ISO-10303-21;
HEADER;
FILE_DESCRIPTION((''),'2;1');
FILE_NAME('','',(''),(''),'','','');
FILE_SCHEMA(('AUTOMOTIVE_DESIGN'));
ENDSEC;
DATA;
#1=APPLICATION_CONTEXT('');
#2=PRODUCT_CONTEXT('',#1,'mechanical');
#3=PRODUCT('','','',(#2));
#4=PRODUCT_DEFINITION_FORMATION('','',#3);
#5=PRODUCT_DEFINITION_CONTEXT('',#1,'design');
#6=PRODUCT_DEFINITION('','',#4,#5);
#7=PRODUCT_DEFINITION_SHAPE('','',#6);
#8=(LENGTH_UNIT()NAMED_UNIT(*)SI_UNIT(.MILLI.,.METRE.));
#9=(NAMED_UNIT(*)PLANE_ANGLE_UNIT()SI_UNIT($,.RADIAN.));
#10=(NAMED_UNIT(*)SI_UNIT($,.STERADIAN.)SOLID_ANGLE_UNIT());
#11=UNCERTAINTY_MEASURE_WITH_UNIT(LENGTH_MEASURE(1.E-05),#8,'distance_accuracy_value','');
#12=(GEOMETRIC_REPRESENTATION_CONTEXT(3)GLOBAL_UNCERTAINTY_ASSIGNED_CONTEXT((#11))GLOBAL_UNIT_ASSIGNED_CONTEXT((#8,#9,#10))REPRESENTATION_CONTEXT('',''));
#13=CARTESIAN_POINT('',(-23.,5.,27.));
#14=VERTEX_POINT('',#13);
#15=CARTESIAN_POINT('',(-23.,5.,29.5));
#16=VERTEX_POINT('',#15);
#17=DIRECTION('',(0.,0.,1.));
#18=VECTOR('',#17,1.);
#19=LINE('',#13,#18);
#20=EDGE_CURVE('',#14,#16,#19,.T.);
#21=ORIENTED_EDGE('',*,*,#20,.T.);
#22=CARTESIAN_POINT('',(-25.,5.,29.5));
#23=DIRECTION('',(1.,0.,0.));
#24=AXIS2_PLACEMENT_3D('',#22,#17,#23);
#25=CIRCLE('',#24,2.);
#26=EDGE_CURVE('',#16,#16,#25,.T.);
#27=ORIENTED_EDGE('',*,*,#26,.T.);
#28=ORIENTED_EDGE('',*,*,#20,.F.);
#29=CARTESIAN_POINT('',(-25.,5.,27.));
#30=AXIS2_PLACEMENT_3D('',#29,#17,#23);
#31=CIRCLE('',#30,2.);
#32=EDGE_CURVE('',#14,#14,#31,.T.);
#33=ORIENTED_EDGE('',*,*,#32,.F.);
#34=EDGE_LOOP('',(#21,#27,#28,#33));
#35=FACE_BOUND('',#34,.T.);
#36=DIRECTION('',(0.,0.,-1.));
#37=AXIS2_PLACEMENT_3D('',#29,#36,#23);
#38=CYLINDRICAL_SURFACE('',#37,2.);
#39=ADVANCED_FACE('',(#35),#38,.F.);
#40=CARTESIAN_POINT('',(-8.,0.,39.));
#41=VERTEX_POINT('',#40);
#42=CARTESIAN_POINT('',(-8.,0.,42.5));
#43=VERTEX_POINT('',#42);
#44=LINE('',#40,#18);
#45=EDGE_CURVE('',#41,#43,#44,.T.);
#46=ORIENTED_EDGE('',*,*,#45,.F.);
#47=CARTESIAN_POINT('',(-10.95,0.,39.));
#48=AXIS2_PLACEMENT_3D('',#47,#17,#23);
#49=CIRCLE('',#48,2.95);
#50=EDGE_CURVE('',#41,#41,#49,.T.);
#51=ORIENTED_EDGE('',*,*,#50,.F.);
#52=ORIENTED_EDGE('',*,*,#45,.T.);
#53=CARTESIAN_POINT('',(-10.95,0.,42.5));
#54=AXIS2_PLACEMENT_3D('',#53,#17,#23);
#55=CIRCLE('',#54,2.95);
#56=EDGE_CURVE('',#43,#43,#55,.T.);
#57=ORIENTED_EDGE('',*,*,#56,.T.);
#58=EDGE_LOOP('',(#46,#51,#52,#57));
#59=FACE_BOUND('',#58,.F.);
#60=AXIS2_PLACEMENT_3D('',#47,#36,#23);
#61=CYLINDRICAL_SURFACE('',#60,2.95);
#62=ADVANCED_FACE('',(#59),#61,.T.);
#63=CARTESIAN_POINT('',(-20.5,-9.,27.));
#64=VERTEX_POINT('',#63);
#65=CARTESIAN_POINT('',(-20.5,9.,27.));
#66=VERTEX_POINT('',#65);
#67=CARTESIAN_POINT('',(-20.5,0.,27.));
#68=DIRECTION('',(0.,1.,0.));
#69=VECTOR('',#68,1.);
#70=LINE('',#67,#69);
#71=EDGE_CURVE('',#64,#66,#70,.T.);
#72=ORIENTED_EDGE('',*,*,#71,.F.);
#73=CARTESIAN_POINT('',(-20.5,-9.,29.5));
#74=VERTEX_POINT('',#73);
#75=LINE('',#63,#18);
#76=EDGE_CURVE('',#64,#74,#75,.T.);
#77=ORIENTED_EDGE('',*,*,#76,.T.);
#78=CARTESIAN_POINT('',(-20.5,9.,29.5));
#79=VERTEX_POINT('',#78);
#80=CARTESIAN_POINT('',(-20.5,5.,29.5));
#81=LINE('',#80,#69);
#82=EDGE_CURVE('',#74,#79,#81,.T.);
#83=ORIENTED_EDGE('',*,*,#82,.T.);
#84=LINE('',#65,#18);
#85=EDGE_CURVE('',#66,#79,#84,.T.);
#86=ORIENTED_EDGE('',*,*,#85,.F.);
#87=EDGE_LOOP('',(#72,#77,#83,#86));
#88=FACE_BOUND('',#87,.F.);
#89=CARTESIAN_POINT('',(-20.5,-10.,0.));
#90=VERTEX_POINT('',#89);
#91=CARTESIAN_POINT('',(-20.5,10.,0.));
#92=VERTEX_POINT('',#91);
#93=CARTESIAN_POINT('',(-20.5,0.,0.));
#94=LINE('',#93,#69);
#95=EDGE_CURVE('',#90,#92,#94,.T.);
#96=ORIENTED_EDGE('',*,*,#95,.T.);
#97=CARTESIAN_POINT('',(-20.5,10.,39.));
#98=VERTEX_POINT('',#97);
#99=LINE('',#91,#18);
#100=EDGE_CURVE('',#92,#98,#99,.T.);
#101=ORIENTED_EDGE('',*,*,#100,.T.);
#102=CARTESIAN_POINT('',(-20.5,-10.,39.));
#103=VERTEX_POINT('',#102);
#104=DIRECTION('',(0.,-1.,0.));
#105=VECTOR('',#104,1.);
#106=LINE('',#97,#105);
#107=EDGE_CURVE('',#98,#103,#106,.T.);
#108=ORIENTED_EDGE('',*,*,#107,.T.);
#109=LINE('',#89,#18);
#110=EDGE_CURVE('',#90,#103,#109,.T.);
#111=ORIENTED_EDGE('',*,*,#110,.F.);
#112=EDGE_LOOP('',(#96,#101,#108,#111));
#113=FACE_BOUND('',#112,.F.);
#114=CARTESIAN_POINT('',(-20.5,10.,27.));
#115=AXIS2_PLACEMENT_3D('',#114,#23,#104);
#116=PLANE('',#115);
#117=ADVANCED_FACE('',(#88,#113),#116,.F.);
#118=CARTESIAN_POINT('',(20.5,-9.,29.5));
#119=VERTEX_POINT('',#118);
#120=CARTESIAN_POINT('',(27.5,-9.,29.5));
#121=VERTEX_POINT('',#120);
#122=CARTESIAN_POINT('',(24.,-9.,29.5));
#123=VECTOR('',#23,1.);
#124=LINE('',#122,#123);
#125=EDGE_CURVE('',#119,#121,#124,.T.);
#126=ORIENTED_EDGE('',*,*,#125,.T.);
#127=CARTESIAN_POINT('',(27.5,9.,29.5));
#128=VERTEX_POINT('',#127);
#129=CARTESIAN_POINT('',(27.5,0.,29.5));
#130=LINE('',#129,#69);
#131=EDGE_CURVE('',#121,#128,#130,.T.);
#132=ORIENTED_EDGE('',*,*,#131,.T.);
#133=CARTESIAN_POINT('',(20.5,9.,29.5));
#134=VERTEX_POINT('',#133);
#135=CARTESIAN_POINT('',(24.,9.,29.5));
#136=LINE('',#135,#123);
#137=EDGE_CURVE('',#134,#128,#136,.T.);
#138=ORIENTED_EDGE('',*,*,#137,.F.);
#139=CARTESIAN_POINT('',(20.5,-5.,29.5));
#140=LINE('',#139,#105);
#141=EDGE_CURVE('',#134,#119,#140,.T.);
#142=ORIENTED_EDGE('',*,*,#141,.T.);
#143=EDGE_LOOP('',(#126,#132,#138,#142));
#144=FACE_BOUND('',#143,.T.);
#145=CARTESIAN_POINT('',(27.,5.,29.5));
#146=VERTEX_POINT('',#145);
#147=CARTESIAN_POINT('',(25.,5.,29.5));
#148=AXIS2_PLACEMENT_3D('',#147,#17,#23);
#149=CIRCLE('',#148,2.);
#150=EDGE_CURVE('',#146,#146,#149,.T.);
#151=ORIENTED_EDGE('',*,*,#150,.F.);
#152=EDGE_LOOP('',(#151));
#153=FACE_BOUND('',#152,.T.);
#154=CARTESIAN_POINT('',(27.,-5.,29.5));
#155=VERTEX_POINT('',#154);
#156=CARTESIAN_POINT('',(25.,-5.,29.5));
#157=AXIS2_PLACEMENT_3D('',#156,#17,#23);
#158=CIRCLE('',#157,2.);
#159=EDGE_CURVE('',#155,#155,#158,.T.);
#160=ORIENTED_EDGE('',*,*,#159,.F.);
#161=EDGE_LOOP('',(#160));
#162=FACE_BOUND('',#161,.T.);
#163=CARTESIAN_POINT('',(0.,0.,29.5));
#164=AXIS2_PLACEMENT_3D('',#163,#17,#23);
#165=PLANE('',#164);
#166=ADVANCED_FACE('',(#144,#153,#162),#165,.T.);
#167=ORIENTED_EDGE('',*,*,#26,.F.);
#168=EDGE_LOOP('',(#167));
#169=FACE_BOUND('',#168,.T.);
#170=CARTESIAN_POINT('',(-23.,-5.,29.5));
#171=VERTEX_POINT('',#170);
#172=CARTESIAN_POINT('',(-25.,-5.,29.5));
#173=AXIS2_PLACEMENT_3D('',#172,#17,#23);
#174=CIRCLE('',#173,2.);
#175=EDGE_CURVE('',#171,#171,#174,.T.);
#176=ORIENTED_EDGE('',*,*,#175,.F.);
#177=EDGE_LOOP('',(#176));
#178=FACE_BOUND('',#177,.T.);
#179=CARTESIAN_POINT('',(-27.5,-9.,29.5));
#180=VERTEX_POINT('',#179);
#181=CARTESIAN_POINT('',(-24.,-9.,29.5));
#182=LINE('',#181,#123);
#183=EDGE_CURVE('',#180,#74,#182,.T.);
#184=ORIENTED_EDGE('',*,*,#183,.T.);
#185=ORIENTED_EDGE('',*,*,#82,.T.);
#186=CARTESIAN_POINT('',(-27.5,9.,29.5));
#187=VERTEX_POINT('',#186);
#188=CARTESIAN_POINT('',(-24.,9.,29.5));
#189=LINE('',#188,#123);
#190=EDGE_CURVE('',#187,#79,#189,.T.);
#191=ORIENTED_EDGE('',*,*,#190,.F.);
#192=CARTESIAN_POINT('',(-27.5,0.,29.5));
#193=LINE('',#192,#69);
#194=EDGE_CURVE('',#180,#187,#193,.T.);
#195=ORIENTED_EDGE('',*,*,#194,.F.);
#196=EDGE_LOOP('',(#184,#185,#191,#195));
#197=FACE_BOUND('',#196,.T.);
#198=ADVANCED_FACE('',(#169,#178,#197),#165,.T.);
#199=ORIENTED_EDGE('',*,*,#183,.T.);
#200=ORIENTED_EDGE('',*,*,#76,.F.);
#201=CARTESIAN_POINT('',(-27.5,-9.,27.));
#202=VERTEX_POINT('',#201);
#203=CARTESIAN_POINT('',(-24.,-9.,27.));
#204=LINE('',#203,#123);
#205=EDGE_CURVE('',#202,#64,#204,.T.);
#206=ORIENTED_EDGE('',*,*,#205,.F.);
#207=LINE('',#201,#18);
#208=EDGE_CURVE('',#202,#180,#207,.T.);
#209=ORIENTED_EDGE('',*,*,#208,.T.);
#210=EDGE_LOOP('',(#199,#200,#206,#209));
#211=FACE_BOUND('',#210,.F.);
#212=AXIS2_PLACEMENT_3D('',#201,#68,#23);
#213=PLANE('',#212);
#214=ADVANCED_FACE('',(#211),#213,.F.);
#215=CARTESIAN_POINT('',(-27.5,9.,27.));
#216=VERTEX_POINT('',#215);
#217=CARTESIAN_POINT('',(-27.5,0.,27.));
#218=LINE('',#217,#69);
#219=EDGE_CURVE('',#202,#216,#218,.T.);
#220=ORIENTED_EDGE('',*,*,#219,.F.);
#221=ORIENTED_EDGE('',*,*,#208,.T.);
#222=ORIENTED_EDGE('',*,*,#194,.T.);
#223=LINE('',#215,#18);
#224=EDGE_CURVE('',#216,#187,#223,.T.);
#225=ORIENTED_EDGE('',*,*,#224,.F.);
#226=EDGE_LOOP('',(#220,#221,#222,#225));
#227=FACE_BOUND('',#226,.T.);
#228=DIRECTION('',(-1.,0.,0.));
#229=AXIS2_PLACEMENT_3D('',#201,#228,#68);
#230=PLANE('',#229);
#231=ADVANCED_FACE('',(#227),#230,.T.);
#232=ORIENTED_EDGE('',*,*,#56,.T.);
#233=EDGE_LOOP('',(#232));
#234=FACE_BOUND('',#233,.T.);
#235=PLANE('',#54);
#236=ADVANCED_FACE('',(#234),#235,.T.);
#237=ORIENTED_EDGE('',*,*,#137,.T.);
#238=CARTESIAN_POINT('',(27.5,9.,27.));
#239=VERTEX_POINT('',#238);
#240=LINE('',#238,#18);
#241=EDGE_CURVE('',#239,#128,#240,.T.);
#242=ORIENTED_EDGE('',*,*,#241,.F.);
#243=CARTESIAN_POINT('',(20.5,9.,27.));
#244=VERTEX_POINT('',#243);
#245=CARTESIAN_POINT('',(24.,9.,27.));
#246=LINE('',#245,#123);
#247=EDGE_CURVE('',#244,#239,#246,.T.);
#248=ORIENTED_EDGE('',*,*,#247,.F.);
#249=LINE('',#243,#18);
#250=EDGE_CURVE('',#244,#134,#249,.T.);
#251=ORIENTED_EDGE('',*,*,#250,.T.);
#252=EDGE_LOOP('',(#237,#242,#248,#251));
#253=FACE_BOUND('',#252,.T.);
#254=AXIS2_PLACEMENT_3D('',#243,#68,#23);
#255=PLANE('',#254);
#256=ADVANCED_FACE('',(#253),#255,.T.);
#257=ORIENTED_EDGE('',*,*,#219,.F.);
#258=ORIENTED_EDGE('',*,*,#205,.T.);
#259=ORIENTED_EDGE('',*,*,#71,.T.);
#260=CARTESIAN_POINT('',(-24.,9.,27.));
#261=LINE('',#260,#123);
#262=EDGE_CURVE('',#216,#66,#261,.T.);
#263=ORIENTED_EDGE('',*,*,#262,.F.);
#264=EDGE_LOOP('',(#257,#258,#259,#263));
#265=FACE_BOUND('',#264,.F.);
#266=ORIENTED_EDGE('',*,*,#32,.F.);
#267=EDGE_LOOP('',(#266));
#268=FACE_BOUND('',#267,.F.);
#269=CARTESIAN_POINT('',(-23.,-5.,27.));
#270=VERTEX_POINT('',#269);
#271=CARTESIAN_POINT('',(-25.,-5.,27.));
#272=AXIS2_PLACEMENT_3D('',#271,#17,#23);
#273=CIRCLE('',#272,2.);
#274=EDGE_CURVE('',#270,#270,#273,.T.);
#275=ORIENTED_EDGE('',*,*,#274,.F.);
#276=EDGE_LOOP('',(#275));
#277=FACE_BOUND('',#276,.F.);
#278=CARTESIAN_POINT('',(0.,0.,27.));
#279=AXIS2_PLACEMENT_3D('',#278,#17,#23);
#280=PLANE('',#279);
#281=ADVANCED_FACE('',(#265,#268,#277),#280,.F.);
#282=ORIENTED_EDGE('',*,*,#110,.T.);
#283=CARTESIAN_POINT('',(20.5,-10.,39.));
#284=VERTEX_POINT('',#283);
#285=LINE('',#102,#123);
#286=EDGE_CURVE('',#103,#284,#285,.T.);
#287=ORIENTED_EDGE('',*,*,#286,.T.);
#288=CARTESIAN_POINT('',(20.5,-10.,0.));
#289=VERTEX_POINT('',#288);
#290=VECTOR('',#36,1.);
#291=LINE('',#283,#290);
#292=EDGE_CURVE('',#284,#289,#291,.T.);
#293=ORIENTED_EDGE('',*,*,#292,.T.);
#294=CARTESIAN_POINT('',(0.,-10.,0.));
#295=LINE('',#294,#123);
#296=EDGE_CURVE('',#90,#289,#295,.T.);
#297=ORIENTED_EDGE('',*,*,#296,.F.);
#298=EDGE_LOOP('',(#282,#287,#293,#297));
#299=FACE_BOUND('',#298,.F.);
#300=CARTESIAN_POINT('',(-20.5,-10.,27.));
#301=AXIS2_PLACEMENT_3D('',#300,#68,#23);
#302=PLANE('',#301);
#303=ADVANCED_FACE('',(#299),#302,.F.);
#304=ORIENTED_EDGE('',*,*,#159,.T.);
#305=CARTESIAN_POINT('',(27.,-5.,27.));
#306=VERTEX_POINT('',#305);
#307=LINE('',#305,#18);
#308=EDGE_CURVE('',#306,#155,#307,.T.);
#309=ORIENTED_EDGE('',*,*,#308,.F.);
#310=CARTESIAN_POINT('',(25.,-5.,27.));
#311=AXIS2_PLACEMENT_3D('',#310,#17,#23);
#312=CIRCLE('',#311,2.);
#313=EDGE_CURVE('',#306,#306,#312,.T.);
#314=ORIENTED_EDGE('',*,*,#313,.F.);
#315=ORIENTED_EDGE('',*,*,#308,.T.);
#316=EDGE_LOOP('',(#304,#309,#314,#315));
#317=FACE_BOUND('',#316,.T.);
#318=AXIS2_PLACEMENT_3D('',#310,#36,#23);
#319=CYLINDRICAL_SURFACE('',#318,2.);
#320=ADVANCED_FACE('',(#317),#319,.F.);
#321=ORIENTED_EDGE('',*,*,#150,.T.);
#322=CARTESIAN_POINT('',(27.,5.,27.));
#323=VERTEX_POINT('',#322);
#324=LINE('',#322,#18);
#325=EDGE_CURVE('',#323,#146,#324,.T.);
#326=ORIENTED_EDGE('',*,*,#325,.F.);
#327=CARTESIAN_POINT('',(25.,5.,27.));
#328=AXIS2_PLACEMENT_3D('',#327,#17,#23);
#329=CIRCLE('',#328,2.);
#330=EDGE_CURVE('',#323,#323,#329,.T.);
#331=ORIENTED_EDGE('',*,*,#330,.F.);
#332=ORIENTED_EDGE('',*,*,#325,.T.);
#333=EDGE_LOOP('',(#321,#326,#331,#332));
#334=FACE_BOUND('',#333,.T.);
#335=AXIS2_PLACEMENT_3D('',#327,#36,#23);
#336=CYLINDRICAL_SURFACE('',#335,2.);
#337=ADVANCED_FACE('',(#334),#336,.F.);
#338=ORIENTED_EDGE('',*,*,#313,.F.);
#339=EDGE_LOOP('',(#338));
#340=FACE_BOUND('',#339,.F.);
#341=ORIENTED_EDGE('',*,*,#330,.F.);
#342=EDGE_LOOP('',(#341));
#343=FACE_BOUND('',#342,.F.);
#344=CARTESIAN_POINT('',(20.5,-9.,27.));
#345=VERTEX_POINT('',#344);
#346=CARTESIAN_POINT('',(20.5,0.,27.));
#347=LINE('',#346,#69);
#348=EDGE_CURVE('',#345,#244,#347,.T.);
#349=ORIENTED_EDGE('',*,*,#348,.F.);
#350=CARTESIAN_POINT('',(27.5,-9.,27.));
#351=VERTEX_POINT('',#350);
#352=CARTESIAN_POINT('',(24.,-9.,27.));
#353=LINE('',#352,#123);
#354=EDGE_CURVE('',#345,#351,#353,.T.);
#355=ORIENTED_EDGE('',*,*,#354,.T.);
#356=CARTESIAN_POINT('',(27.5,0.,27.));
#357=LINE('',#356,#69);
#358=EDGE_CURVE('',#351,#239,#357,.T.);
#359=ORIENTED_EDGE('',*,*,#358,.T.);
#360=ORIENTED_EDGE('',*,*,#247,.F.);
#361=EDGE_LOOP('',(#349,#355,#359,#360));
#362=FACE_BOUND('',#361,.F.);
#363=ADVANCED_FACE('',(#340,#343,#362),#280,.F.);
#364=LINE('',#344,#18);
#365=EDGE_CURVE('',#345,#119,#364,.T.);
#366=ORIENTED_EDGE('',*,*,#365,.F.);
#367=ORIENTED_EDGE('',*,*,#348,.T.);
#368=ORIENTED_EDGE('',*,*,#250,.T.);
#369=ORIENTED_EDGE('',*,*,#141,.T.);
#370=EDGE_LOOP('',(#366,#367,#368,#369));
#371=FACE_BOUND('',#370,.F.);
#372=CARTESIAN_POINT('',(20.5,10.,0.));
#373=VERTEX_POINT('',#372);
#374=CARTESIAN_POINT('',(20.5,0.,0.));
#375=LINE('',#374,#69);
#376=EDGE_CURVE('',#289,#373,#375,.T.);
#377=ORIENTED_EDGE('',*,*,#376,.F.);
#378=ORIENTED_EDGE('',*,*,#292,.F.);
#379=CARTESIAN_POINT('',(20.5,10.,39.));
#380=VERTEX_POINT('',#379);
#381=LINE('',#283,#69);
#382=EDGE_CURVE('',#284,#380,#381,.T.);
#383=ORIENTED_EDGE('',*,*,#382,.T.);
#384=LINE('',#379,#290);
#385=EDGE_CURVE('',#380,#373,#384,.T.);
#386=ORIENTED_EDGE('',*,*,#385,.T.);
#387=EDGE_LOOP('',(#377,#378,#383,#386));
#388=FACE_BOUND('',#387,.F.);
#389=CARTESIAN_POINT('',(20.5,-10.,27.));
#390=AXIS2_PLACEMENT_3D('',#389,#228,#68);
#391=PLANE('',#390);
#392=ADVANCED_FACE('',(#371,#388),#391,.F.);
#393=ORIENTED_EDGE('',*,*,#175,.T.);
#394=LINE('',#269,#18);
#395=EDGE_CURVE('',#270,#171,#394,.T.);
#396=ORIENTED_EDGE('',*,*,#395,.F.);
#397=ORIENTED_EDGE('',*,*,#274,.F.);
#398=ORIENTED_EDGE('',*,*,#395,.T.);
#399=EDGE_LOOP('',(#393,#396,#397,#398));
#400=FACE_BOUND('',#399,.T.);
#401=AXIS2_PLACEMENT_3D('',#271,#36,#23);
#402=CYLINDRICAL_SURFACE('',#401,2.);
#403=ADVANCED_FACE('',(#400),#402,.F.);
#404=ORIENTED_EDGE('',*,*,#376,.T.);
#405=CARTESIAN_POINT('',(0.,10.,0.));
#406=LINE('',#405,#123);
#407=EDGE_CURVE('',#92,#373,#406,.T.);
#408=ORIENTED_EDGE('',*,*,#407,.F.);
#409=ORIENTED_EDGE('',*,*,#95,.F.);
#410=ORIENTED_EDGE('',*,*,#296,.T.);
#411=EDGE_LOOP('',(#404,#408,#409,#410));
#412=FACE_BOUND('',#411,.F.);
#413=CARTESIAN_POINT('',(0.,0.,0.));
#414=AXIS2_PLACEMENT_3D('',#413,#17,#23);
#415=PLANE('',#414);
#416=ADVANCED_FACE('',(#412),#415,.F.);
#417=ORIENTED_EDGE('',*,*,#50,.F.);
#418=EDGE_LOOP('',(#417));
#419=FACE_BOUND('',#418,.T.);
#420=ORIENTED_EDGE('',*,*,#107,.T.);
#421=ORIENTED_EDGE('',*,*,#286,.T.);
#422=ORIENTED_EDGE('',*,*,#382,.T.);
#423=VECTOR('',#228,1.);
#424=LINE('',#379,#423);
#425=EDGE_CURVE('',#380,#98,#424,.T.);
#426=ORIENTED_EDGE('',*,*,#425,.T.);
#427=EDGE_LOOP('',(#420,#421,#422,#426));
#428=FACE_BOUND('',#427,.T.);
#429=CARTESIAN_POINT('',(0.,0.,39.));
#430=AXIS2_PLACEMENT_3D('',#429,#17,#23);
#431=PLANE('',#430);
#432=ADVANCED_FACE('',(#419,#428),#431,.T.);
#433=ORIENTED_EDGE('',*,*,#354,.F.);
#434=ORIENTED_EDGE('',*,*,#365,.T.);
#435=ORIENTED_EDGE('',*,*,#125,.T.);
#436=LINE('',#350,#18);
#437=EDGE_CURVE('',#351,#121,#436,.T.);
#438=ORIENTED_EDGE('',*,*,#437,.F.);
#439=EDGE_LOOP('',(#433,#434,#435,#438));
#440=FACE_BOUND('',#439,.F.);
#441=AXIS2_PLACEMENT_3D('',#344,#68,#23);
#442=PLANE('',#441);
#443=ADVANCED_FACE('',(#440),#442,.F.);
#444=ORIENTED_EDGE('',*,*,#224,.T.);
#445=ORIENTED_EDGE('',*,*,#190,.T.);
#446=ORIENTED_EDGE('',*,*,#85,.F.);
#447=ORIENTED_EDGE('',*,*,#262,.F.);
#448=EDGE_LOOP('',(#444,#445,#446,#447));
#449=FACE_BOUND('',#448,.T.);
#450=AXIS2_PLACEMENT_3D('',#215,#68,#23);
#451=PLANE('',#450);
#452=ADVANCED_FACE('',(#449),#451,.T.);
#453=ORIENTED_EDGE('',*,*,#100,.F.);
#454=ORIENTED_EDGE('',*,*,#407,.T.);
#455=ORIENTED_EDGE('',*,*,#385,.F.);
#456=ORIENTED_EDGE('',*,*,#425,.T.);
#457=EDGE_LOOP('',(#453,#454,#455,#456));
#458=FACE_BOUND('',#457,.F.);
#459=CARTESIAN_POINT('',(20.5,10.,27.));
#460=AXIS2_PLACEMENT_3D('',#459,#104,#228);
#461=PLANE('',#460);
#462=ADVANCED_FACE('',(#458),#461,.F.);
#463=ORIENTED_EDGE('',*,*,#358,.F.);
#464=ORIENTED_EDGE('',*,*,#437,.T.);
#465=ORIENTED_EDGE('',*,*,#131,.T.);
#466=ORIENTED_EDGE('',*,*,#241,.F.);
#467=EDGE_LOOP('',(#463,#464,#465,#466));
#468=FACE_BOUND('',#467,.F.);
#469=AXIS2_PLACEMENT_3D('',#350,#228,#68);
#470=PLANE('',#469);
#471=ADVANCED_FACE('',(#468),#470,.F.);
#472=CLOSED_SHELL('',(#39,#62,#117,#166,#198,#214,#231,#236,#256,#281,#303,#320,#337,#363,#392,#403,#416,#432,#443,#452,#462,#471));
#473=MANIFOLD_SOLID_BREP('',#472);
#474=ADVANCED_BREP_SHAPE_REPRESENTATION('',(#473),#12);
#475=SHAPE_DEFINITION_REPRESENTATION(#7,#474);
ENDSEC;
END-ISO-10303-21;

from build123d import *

# Parameters (mm, degrees)
F0_W     = 41
F0_H     = 20
F1_DEPTH = 27
F2_W     = 7
F2_H     = 18
F2_R     = 2
F3_DEPTH = 2.5
F4_DEPTH = 12
F5_R     = 2.95
F6_DEPTH = 3.5


with BuildPart() as f1:
    # F0 (on Top) → F1 (new body)
    with BuildSketch(Plane.XY):
        Rectangle(F0_W, F0_H)
    extrude(amount=F1_DEPTH)

    # F2 (on face) → F3 (join)
    with BuildSketch(Plane.XY.offset(27)):
        Polygon((20.5, 9), (20.5, 10), (-20.5, 10), (-20.5, 9), (-20.5, -9), (-20.5, -10), (20.5, -10), (20.5, -9), align=None)
        with Locations((24, 0)):
            Rectangle(F2_W, F2_H)
        with Locations((25, -5)):
            Circle(F2_R, mode=Mode.SUBTRACT)
        with Locations((25, 5)):
            Circle(F2_R, mode=Mode.SUBTRACT)
        with Locations((-24, 0)):
            Rectangle(F2_W, F2_H)
        with Locations((-25, -5)):
            Circle(F2_R, mode=Mode.SUBTRACT)
        with Locations((-25, 5)):
            Circle(F2_R, mode=Mode.SUBTRACT)
    extrude(amount=F3_DEPTH)

    # F2 (on face) → F4 (join)
    with BuildSketch(Plane.XY.offset(27)):
        Polygon((20.5, 9), (20.5, 10), (-20.5, 10), (-20.5, 9), (-20.5, -9), (-20.5, -10), (20.5, -10), (20.5, -9), align=None)
    extrude(amount=F4_DEPTH)

    # F5 (on face) → F6 (join)
    with BuildSketch(Plane.XY.offset(39)):
        with Locations((-10.95, 0)):
            Circle(F5_R)
    extrude(amount=F6_DEPTH)


solid = f1.part
